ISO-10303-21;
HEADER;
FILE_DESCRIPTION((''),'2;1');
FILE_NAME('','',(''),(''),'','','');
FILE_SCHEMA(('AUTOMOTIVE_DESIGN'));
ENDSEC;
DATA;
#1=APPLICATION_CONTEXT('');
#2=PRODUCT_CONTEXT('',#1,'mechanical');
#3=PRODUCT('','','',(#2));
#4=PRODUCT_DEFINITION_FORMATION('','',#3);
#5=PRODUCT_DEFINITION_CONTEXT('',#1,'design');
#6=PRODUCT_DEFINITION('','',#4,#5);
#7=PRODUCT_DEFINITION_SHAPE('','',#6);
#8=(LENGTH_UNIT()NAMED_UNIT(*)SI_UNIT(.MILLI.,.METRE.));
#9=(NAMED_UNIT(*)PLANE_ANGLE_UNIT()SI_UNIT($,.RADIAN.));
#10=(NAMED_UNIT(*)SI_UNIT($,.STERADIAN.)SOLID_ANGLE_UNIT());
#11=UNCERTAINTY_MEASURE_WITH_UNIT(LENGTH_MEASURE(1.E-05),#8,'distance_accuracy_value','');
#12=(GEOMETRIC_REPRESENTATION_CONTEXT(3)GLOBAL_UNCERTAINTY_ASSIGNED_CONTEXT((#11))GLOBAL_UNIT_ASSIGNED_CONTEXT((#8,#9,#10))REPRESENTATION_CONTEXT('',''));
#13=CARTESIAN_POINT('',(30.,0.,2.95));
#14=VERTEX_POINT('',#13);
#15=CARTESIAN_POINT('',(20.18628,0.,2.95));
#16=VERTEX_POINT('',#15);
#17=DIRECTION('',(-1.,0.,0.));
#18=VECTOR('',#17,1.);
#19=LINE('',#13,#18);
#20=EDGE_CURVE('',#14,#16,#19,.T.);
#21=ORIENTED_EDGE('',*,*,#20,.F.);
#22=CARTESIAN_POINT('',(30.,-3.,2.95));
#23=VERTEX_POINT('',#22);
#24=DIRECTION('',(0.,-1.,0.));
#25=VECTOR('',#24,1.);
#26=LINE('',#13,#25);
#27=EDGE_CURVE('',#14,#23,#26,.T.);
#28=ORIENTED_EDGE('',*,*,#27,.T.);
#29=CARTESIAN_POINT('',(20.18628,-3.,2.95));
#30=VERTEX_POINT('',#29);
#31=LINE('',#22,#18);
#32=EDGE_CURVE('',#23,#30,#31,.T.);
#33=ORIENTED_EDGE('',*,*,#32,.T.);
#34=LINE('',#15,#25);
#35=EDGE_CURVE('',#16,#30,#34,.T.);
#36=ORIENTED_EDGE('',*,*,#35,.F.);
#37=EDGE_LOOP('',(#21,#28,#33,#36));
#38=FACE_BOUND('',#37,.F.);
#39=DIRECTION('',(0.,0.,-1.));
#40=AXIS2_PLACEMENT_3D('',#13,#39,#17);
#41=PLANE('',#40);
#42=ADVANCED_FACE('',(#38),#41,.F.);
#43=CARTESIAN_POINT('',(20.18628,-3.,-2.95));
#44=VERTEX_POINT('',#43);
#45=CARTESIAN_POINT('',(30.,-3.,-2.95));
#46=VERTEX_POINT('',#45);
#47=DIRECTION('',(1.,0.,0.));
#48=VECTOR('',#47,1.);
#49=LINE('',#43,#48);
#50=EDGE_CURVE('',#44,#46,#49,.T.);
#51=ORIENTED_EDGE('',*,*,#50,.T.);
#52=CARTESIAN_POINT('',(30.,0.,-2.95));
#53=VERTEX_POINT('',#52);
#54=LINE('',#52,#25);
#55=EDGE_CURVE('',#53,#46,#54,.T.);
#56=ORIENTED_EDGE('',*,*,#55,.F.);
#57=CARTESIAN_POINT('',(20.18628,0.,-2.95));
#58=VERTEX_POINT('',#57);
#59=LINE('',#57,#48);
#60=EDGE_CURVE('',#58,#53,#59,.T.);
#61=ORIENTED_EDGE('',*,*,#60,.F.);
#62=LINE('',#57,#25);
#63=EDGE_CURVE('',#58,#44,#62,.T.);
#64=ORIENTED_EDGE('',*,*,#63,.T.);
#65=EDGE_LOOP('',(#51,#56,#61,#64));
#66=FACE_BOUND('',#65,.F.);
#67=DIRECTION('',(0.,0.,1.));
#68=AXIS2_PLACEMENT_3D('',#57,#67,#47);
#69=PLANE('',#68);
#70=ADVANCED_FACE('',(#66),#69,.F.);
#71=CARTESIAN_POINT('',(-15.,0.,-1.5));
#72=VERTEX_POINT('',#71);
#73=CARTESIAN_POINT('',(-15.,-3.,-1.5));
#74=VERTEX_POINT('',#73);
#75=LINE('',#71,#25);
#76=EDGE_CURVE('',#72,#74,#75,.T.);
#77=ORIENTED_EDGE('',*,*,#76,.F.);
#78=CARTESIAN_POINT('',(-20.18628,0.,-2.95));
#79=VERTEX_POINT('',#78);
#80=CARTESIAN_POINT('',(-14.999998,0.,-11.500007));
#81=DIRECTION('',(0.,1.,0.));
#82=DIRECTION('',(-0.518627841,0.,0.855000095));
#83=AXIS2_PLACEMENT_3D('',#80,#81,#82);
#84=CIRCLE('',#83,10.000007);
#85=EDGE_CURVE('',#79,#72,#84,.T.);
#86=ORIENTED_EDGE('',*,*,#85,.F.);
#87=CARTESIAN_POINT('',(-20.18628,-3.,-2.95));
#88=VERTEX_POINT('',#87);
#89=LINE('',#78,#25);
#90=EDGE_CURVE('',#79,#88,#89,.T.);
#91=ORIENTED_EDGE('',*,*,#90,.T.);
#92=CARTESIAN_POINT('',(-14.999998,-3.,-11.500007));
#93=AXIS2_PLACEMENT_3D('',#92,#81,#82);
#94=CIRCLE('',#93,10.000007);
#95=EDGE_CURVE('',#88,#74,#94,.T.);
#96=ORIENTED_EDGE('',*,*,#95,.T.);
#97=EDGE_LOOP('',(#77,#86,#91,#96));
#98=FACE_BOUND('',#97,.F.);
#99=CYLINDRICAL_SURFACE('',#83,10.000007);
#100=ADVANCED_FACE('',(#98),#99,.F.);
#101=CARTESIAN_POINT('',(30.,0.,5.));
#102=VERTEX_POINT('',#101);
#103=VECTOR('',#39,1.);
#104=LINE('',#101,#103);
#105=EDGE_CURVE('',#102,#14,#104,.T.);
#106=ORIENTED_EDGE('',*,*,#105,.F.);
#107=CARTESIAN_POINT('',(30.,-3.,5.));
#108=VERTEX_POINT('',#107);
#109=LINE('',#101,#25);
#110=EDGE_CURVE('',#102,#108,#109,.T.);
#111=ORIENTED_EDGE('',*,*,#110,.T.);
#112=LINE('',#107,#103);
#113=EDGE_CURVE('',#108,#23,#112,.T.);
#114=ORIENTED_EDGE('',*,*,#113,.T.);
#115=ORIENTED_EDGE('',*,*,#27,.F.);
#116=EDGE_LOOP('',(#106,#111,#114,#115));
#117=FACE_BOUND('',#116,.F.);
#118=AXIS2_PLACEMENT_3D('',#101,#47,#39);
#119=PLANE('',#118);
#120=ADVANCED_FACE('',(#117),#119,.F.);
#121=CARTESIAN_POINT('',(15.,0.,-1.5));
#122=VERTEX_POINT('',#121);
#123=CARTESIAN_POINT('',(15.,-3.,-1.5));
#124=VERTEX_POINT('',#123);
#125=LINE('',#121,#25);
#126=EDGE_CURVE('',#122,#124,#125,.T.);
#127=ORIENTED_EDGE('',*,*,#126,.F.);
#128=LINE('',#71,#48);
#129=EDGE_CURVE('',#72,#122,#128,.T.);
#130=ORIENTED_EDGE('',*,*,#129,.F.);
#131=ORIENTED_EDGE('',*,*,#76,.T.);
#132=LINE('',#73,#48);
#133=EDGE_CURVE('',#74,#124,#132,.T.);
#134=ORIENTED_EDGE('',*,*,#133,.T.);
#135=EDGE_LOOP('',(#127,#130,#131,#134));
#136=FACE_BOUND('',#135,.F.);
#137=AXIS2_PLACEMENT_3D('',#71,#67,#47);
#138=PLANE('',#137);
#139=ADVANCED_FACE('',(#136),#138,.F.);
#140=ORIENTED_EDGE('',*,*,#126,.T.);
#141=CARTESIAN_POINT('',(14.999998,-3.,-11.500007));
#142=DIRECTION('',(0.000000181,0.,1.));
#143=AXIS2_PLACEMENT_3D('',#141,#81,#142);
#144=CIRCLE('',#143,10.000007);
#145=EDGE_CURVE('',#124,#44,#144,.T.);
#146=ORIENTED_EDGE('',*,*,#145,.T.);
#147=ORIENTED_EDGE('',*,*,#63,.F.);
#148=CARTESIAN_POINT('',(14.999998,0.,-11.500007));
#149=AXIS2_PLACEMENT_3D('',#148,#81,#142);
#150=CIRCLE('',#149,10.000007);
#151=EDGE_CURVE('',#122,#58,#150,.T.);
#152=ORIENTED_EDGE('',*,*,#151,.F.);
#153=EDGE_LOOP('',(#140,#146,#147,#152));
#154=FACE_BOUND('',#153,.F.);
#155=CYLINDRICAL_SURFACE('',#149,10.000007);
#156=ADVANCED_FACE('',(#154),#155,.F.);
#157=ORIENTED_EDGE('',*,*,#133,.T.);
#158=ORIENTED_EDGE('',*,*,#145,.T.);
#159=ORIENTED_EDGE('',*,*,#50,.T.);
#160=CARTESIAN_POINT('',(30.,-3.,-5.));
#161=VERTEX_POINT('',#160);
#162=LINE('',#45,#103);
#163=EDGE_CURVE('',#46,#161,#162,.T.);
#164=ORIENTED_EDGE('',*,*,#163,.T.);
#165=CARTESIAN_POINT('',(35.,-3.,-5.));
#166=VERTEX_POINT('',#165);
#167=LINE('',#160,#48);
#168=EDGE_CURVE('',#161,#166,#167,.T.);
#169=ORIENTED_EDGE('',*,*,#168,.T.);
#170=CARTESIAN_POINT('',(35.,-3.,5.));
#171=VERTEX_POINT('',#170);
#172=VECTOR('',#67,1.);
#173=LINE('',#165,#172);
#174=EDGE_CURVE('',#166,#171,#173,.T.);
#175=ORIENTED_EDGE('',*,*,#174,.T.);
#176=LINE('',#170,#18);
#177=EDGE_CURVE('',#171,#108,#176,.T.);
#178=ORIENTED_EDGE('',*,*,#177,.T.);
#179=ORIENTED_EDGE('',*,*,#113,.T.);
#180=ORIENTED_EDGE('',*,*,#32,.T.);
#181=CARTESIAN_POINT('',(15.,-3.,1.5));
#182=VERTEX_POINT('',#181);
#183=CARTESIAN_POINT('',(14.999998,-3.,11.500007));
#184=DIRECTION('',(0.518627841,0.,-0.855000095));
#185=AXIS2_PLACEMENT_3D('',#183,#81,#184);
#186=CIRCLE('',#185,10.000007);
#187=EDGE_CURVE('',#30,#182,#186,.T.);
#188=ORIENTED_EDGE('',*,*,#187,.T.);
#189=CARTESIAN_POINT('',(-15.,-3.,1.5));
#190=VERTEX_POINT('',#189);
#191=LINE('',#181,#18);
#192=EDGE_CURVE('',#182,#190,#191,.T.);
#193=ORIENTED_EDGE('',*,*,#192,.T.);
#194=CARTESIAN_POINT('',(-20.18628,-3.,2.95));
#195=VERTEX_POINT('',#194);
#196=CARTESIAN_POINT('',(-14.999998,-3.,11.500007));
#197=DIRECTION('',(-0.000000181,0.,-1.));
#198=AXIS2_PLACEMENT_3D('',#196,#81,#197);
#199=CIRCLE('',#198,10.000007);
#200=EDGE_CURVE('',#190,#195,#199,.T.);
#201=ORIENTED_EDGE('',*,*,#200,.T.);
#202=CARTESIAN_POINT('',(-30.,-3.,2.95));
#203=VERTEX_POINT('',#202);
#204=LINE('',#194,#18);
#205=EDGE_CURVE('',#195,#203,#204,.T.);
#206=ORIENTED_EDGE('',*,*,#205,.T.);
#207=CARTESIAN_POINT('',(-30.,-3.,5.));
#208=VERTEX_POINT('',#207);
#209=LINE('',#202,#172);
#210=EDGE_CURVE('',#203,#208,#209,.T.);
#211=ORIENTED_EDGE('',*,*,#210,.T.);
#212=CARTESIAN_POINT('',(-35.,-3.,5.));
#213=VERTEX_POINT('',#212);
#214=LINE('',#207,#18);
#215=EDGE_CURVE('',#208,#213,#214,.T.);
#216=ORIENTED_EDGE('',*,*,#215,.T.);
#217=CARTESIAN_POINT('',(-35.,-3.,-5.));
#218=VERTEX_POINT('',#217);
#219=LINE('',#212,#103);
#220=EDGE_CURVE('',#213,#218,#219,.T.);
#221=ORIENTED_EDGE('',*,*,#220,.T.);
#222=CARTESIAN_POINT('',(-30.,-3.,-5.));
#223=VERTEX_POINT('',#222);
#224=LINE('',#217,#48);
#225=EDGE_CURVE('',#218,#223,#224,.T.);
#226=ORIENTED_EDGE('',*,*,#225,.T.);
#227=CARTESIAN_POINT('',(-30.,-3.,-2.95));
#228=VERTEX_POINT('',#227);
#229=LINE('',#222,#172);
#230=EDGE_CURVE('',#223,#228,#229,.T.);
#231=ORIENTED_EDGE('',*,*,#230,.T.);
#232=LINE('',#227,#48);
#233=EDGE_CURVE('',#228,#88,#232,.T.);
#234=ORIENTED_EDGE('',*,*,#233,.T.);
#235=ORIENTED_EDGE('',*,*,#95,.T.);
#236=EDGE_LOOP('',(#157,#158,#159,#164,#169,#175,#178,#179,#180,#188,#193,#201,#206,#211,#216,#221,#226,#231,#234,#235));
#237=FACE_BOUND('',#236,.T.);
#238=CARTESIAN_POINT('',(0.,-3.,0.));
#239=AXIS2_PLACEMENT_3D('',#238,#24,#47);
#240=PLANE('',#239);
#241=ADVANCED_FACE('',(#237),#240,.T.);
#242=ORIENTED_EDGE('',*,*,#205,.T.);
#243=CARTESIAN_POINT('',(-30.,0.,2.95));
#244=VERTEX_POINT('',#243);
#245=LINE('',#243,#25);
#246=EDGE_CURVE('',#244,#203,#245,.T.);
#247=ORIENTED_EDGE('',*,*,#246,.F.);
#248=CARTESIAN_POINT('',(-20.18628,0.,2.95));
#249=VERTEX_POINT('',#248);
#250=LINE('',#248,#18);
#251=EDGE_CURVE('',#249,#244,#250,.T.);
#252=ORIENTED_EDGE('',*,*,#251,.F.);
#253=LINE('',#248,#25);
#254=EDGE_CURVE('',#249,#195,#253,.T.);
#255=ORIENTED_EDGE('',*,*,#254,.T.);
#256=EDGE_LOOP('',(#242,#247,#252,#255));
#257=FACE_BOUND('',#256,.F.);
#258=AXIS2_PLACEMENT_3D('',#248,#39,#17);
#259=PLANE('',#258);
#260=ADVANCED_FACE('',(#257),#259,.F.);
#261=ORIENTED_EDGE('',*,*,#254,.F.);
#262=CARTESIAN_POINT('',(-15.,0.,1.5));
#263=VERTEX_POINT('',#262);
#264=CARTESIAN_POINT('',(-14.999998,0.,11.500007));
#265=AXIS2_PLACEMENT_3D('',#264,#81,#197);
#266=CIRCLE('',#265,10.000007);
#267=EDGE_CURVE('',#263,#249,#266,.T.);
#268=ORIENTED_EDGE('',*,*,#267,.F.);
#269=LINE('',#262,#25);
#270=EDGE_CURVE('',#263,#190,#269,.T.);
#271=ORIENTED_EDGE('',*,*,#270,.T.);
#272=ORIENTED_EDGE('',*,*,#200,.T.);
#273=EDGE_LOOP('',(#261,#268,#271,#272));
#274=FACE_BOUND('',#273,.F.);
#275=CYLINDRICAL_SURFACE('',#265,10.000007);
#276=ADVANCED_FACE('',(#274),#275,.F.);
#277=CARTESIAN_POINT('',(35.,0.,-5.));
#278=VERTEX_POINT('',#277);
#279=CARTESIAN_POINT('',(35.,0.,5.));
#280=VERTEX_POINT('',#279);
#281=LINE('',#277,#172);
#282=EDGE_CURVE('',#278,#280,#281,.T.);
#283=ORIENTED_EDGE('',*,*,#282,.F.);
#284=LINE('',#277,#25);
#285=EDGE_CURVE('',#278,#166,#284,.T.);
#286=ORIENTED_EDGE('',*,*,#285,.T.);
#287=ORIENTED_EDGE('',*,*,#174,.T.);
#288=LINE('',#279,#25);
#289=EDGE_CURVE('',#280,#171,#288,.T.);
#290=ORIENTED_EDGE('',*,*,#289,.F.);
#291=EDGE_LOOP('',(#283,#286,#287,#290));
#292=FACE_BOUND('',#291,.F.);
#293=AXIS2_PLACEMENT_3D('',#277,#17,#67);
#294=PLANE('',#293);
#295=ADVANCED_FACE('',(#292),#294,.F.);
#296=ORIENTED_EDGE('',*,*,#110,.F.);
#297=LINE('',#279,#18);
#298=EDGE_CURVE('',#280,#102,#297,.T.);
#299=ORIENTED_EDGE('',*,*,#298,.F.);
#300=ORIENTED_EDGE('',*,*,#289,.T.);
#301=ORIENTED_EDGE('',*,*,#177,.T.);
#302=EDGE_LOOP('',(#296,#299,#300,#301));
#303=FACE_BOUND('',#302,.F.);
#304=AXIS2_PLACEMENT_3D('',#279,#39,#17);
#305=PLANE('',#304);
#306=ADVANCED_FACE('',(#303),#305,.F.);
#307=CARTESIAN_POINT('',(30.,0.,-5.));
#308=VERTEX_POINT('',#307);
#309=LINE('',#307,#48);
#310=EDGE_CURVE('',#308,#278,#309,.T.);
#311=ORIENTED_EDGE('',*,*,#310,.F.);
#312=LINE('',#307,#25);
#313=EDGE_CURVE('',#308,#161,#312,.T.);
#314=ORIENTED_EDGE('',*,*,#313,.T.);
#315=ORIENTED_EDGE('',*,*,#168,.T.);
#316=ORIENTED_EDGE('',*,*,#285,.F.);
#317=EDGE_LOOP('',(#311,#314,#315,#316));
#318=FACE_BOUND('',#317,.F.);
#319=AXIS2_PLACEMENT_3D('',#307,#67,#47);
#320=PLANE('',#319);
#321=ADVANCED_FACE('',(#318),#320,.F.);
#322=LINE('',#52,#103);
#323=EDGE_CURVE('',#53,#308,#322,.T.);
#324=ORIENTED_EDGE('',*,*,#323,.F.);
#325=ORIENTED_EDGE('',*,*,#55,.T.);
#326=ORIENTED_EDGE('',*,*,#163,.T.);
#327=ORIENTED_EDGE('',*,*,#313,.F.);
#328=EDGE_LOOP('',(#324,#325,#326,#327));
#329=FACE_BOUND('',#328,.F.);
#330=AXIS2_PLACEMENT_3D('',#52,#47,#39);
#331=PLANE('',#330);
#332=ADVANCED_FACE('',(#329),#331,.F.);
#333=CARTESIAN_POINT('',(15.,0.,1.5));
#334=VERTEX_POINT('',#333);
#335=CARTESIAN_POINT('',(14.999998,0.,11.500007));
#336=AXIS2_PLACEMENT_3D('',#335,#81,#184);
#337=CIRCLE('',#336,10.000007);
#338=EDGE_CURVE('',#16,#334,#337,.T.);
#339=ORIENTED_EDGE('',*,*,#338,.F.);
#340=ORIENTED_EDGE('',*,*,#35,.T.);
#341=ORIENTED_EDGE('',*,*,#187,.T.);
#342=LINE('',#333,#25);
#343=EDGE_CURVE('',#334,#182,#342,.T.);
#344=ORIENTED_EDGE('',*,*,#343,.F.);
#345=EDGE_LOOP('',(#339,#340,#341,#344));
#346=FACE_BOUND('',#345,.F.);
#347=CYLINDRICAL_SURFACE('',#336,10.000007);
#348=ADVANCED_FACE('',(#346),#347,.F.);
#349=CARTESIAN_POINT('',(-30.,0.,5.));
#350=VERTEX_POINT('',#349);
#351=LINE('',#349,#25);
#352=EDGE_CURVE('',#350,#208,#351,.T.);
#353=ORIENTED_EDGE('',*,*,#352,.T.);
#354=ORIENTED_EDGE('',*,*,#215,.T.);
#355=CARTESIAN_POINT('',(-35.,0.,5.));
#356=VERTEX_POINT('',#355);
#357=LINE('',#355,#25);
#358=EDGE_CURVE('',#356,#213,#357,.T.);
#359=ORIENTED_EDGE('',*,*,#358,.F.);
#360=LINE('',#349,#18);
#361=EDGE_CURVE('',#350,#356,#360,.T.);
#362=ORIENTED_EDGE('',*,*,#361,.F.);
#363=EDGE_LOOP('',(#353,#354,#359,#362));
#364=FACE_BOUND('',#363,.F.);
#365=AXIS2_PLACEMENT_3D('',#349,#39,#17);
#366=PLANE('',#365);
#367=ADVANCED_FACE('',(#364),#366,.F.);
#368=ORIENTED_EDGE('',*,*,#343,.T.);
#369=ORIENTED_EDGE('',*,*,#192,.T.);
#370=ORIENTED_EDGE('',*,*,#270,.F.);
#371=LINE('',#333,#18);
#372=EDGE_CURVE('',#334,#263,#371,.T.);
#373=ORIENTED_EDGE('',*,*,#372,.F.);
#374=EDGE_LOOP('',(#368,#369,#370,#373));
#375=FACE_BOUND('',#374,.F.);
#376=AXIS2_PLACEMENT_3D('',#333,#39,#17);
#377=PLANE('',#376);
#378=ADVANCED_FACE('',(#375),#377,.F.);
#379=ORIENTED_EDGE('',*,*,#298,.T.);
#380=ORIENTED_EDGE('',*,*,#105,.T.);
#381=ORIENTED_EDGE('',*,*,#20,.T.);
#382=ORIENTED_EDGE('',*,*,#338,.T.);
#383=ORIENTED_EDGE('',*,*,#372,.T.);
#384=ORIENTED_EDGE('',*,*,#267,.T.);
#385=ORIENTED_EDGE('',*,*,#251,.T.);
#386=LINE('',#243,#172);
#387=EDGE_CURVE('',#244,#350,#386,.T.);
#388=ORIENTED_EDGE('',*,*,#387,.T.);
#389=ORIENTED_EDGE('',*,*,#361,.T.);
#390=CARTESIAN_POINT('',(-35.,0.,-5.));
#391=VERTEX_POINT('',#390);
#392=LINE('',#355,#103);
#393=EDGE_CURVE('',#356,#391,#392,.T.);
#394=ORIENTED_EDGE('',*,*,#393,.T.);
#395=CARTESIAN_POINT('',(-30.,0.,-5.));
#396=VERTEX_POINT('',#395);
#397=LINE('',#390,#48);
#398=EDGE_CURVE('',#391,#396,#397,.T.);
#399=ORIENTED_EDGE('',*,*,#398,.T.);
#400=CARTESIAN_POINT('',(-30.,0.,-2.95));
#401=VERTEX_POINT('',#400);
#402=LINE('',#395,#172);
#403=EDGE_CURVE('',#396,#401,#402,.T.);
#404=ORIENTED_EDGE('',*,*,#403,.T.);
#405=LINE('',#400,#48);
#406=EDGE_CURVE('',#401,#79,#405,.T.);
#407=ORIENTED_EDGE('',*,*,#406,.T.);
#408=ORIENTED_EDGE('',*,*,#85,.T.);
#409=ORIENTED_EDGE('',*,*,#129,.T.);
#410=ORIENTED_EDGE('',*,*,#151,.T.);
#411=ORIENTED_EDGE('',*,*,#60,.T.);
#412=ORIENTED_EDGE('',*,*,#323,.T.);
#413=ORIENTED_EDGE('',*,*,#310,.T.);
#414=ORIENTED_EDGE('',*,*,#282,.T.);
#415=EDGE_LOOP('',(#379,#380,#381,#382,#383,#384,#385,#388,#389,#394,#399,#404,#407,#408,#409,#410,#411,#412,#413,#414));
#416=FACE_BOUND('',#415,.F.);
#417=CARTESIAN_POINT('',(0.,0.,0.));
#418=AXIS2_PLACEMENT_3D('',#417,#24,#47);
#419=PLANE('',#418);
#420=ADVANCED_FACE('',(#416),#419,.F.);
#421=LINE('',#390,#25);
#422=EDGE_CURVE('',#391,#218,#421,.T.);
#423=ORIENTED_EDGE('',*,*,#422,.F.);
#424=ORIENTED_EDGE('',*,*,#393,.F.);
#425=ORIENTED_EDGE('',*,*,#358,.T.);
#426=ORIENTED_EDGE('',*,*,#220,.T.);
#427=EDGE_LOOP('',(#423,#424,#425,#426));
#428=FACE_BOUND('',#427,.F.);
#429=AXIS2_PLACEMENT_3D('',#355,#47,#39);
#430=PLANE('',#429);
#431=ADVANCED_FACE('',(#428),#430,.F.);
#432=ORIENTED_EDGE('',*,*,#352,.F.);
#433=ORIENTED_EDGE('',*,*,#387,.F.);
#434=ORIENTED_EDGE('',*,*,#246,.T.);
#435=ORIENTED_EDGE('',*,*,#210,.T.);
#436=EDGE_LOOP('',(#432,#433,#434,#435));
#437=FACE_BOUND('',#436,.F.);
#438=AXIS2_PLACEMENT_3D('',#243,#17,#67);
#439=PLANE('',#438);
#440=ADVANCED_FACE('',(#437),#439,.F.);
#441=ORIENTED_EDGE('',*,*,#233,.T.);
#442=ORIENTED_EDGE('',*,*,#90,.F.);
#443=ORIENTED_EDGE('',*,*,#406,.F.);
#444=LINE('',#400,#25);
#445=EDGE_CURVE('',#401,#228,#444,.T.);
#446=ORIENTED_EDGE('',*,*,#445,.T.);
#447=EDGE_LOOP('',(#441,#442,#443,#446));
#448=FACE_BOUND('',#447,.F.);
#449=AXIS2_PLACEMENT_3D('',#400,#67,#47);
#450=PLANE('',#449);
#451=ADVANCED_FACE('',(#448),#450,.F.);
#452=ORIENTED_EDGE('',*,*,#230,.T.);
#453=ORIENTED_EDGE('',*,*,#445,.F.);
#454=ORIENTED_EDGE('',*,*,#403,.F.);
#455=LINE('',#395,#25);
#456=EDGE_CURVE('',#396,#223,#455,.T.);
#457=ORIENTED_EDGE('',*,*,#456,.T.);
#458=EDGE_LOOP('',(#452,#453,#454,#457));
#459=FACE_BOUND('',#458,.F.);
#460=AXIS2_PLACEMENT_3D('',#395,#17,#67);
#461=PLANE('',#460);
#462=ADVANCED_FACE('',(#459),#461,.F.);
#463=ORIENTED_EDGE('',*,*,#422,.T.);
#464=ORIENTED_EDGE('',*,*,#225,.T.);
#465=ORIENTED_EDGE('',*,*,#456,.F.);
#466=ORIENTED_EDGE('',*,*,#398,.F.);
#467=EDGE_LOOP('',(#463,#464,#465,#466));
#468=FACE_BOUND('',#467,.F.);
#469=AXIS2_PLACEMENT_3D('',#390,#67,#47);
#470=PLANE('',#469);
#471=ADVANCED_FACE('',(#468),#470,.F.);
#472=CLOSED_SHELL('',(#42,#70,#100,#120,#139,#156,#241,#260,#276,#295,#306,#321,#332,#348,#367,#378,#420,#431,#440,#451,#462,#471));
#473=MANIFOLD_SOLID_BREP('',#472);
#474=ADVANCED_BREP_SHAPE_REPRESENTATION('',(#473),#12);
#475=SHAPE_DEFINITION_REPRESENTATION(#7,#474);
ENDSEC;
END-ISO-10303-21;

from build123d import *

# Parameters (mm, degrees)
F1_DEPTH = 3


with BuildPart() as f1:
    # F0 (on Front) → F1 (new body)
    with BuildSketch(Plane.XZ):
        with BuildLine():
            Line((35, -1.5), (35, 1.5))
            Line((35, 1.5), (35, 5))
            Line((35, 5), (30, 5))
            Line((30, 5), (30, 2.95))
            Line((30, 2.95), (20.18628, 2.95))
            ThreePointArc((20.18628, 2.95), (17.692582, 1.86932), (15, 1.5))
            Line((15, 1.5), (-15, 1.5))
            ThreePointArc((-15, 1.5), (-17.692582, 1.86932), (-20.18628, 2.95))
            Line((-20.18628, 2.95), (-30, 2.95))
            Line((-30, 2.95), (-30, 5))
            Line((-30, 5), (-35, 5))
            Line((-35, 5), (-35, 1.5))
            Line((-35, 1.5), (-35, -1.5))
            Line((-35, -1.5), (-35, -5))
            Line((-35, -5), (-30, -5))
            Line((-30, -5), (-30, -2.95))
            Line((-30, -2.95), (-20.18628, -2.95))
            ThreePointArc((-20.18628, -2.95), (-17.692582, -1.86932), (-15, -1.5))
            Line((-15, -1.5), (15, -1.5))
            ThreePointArc((15, -1.5), (17.692582, -1.86932), (20.18628, -2.95))
            Line((20.18628, -2.95), (30, -2.95))
            Line((30, -2.95), (30, -5))
            Line((30, -5), (35, -5))
            Line((35, -5), (35, -1.5))
        make_face()
    extrude(amount=F1_DEPTH)


solid = f1.part
